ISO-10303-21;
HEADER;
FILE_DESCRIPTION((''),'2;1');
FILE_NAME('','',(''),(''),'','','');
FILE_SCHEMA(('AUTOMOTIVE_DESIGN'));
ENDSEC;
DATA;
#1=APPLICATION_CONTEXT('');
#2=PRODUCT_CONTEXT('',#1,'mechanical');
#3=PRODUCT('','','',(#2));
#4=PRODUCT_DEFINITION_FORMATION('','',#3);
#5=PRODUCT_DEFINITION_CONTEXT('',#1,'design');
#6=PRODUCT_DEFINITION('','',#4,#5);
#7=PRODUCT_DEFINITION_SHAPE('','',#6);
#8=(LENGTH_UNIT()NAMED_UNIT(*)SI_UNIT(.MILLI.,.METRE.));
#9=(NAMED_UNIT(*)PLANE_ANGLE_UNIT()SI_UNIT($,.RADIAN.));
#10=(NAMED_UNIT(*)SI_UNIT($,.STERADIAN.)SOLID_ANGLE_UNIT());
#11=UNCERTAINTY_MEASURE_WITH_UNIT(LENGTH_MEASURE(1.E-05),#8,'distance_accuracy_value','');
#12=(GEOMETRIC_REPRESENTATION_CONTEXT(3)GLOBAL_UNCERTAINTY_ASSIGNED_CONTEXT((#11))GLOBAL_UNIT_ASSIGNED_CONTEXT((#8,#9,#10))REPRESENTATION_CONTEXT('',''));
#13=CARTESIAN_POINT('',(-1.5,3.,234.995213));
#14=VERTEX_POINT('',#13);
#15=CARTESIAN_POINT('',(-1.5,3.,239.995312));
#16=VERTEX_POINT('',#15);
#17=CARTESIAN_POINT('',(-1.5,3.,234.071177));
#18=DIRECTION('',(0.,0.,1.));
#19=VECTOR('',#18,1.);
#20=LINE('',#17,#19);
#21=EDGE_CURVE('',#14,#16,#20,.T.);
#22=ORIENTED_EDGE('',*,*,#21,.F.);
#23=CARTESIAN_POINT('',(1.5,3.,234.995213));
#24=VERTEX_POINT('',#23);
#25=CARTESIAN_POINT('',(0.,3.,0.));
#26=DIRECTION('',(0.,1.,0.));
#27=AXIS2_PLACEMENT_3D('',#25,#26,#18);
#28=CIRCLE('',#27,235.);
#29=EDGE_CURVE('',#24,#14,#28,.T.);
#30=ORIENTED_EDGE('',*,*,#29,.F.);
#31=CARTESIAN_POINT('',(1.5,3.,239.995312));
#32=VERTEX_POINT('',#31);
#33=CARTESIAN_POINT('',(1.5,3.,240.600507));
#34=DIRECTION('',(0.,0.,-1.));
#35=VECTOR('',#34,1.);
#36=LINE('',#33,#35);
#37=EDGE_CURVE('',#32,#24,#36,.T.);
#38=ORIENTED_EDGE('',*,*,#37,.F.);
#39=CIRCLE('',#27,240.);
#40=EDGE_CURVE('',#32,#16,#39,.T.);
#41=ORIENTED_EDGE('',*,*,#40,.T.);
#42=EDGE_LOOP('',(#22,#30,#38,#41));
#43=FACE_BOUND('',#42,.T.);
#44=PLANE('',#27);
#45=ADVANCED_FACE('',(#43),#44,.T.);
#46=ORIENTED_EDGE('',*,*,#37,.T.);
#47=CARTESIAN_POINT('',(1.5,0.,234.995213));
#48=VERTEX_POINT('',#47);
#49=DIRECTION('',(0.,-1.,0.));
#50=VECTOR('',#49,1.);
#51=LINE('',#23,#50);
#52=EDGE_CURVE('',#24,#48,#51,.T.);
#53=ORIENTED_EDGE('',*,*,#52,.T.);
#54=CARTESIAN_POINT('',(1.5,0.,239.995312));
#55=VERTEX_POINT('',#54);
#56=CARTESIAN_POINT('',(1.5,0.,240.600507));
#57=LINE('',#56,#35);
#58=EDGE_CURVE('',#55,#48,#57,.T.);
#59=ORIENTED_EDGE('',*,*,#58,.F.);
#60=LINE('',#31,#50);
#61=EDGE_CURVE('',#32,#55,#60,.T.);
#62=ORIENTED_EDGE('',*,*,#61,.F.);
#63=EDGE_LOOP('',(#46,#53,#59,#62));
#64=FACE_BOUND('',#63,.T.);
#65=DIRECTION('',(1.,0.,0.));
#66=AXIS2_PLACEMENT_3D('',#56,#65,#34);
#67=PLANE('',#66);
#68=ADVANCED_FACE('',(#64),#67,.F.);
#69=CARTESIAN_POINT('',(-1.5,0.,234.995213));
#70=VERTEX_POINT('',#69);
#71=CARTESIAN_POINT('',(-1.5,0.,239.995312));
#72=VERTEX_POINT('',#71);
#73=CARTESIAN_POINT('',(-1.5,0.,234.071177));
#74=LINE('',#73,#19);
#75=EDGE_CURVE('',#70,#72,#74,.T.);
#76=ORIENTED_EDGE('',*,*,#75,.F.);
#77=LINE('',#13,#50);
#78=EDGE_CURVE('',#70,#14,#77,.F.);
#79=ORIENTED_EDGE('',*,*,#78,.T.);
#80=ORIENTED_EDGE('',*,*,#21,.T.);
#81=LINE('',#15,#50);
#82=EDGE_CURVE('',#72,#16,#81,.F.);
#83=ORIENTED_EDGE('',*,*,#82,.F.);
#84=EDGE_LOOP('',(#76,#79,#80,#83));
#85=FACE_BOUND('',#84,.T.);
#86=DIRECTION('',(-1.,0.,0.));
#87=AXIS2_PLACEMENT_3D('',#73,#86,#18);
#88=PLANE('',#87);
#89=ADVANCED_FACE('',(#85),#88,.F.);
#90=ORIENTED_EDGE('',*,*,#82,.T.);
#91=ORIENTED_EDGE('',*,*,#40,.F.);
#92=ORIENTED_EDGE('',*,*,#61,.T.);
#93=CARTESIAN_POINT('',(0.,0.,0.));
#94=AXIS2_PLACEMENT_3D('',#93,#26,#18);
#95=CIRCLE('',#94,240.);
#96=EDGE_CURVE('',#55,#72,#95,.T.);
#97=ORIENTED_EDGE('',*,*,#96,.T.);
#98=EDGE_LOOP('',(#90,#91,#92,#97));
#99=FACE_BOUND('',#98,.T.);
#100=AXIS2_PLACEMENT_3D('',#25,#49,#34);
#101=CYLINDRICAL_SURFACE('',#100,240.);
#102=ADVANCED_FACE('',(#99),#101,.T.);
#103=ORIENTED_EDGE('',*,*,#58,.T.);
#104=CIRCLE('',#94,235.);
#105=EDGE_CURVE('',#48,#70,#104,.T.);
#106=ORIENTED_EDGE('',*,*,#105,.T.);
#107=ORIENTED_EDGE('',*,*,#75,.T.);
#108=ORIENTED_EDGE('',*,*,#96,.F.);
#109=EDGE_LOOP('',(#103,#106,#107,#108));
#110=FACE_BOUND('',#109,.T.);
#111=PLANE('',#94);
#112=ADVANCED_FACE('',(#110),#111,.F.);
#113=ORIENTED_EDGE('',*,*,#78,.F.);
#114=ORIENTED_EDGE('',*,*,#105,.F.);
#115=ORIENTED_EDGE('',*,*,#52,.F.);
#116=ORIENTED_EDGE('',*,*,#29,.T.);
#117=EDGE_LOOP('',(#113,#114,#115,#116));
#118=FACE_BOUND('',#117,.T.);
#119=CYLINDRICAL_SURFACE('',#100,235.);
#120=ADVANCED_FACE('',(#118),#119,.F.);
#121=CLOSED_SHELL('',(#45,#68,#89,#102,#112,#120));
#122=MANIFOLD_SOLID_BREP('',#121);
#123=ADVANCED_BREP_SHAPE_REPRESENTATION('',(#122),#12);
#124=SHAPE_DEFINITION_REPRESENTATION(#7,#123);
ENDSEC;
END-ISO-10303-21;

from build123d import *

# Parameters (mm, degrees)
SKETCH1_R           = 240
SKETCH1_R_2         = 235
BOSS_EXTRUDE1_DEPTH = 3
SKETCH2_W           = 3
SKETCH2_H           = 6.529330519
CUT_EXTRUDE1_DEPTH  = 3


with BuildPart() as part:
    # Sketch1 → Boss-Extrude1 (new body)
    with BuildSketch(Plane(origin=(0, 0, 0), x_dir=(1, 0, 0), z_dir=(0, 1, 0))):
        Circle(SKETCH1_R)
        Circle(SKETCH1_R_2, mode=Mode.SUBTRACT)
    extrude(amount=BOSS_EXTRUDE1_DEPTH)

    # Sketch2 → Cut-Extrude1 (cut)
    with BuildSketch(Plane(origin=(0, 3, 0), x_dir=(1, 0, 0), z_dir=(0, 1, 0))):
        with Locations((0, -237.335841941)):
            Rectangle(SKETCH2_W, SKETCH2_H)
    extrude(amount=-CUT_EXTRUDE1_DEPTH, mode=Mode.SUBTRACT)


solid = part.part
